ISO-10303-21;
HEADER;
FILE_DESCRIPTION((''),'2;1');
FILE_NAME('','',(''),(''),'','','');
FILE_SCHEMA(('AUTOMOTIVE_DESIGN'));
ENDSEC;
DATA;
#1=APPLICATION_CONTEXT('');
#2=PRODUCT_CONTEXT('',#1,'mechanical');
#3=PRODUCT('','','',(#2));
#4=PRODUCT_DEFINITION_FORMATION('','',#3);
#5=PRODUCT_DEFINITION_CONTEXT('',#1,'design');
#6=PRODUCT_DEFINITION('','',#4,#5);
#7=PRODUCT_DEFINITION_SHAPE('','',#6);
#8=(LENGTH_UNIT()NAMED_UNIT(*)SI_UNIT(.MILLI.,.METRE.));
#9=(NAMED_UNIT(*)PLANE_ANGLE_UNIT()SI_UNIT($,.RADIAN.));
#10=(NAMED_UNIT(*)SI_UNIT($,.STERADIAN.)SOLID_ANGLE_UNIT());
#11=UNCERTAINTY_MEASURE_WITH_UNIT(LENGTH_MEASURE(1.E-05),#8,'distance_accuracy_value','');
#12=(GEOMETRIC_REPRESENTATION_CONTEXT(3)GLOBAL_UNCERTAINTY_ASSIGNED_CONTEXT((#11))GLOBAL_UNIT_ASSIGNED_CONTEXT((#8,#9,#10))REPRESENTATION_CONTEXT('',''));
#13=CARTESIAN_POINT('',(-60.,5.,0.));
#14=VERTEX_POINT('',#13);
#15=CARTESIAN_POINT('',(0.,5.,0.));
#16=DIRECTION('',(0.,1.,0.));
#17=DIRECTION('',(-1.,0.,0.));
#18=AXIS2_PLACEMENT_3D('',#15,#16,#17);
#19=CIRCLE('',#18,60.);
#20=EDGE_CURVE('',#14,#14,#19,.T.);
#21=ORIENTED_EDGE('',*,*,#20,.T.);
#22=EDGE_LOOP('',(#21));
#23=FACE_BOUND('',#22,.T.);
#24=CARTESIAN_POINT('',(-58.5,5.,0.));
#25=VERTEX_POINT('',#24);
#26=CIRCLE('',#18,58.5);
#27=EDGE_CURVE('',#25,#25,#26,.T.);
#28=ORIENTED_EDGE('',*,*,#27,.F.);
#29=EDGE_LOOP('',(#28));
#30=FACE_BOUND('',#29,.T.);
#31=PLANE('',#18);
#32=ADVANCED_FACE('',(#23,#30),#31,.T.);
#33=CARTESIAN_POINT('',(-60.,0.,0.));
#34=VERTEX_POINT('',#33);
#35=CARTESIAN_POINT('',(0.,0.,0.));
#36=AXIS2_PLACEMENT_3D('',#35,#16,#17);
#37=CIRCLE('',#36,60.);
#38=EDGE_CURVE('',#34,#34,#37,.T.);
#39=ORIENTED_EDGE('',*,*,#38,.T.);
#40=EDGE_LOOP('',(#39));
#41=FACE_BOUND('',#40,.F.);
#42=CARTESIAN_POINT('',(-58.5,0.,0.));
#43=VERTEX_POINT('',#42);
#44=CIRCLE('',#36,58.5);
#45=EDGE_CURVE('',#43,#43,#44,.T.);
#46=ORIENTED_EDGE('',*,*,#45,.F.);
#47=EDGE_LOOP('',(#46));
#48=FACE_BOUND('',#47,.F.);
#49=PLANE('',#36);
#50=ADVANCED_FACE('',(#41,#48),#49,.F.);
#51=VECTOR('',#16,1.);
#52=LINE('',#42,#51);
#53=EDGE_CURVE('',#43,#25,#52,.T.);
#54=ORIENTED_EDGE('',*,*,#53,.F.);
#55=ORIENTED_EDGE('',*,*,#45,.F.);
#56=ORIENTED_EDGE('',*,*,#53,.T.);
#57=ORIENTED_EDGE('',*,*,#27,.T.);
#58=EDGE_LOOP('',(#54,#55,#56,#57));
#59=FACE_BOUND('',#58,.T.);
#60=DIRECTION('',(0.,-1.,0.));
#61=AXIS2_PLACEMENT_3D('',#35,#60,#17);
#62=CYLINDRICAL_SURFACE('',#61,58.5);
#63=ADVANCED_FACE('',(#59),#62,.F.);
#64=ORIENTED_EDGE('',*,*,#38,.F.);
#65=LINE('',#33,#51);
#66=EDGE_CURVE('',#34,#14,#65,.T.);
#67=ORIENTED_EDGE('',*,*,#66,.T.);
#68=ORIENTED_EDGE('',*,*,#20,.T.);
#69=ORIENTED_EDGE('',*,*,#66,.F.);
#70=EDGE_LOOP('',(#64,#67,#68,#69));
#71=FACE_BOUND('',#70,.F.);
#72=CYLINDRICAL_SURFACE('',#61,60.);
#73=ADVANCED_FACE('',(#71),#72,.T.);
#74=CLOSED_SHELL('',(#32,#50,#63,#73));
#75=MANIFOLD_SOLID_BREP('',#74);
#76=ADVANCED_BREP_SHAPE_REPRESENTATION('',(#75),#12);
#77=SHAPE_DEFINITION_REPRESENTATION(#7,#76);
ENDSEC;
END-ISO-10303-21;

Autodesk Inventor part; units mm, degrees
ref_plane "YZ Plane" through (0, 0, 0) normal (1, 0, 0) x (0, 1, 0)
ref_plane "XZ Plane" through (0, 0, 0) normal (0, 1, 0) x (-1, 0, 0)
ref_plane "XY Plane" through (0, 0, 0) normal (0, 0, 1) x (1, 0, 0)
sketch "Sketch1" plane through (0, 0, 0) normal (0, 1, 0) x (-1, 0, 0)
  circle A0 centre (0, 0) radius 58.5
  circle A1 centre (0, 0) radius 60
  dimension "d0" = 117
  dimension "d1" = 120
extrude "Extrusion1" add sketch "Sketch1" along normal blind 5
properties part number "Fan_Ring"
